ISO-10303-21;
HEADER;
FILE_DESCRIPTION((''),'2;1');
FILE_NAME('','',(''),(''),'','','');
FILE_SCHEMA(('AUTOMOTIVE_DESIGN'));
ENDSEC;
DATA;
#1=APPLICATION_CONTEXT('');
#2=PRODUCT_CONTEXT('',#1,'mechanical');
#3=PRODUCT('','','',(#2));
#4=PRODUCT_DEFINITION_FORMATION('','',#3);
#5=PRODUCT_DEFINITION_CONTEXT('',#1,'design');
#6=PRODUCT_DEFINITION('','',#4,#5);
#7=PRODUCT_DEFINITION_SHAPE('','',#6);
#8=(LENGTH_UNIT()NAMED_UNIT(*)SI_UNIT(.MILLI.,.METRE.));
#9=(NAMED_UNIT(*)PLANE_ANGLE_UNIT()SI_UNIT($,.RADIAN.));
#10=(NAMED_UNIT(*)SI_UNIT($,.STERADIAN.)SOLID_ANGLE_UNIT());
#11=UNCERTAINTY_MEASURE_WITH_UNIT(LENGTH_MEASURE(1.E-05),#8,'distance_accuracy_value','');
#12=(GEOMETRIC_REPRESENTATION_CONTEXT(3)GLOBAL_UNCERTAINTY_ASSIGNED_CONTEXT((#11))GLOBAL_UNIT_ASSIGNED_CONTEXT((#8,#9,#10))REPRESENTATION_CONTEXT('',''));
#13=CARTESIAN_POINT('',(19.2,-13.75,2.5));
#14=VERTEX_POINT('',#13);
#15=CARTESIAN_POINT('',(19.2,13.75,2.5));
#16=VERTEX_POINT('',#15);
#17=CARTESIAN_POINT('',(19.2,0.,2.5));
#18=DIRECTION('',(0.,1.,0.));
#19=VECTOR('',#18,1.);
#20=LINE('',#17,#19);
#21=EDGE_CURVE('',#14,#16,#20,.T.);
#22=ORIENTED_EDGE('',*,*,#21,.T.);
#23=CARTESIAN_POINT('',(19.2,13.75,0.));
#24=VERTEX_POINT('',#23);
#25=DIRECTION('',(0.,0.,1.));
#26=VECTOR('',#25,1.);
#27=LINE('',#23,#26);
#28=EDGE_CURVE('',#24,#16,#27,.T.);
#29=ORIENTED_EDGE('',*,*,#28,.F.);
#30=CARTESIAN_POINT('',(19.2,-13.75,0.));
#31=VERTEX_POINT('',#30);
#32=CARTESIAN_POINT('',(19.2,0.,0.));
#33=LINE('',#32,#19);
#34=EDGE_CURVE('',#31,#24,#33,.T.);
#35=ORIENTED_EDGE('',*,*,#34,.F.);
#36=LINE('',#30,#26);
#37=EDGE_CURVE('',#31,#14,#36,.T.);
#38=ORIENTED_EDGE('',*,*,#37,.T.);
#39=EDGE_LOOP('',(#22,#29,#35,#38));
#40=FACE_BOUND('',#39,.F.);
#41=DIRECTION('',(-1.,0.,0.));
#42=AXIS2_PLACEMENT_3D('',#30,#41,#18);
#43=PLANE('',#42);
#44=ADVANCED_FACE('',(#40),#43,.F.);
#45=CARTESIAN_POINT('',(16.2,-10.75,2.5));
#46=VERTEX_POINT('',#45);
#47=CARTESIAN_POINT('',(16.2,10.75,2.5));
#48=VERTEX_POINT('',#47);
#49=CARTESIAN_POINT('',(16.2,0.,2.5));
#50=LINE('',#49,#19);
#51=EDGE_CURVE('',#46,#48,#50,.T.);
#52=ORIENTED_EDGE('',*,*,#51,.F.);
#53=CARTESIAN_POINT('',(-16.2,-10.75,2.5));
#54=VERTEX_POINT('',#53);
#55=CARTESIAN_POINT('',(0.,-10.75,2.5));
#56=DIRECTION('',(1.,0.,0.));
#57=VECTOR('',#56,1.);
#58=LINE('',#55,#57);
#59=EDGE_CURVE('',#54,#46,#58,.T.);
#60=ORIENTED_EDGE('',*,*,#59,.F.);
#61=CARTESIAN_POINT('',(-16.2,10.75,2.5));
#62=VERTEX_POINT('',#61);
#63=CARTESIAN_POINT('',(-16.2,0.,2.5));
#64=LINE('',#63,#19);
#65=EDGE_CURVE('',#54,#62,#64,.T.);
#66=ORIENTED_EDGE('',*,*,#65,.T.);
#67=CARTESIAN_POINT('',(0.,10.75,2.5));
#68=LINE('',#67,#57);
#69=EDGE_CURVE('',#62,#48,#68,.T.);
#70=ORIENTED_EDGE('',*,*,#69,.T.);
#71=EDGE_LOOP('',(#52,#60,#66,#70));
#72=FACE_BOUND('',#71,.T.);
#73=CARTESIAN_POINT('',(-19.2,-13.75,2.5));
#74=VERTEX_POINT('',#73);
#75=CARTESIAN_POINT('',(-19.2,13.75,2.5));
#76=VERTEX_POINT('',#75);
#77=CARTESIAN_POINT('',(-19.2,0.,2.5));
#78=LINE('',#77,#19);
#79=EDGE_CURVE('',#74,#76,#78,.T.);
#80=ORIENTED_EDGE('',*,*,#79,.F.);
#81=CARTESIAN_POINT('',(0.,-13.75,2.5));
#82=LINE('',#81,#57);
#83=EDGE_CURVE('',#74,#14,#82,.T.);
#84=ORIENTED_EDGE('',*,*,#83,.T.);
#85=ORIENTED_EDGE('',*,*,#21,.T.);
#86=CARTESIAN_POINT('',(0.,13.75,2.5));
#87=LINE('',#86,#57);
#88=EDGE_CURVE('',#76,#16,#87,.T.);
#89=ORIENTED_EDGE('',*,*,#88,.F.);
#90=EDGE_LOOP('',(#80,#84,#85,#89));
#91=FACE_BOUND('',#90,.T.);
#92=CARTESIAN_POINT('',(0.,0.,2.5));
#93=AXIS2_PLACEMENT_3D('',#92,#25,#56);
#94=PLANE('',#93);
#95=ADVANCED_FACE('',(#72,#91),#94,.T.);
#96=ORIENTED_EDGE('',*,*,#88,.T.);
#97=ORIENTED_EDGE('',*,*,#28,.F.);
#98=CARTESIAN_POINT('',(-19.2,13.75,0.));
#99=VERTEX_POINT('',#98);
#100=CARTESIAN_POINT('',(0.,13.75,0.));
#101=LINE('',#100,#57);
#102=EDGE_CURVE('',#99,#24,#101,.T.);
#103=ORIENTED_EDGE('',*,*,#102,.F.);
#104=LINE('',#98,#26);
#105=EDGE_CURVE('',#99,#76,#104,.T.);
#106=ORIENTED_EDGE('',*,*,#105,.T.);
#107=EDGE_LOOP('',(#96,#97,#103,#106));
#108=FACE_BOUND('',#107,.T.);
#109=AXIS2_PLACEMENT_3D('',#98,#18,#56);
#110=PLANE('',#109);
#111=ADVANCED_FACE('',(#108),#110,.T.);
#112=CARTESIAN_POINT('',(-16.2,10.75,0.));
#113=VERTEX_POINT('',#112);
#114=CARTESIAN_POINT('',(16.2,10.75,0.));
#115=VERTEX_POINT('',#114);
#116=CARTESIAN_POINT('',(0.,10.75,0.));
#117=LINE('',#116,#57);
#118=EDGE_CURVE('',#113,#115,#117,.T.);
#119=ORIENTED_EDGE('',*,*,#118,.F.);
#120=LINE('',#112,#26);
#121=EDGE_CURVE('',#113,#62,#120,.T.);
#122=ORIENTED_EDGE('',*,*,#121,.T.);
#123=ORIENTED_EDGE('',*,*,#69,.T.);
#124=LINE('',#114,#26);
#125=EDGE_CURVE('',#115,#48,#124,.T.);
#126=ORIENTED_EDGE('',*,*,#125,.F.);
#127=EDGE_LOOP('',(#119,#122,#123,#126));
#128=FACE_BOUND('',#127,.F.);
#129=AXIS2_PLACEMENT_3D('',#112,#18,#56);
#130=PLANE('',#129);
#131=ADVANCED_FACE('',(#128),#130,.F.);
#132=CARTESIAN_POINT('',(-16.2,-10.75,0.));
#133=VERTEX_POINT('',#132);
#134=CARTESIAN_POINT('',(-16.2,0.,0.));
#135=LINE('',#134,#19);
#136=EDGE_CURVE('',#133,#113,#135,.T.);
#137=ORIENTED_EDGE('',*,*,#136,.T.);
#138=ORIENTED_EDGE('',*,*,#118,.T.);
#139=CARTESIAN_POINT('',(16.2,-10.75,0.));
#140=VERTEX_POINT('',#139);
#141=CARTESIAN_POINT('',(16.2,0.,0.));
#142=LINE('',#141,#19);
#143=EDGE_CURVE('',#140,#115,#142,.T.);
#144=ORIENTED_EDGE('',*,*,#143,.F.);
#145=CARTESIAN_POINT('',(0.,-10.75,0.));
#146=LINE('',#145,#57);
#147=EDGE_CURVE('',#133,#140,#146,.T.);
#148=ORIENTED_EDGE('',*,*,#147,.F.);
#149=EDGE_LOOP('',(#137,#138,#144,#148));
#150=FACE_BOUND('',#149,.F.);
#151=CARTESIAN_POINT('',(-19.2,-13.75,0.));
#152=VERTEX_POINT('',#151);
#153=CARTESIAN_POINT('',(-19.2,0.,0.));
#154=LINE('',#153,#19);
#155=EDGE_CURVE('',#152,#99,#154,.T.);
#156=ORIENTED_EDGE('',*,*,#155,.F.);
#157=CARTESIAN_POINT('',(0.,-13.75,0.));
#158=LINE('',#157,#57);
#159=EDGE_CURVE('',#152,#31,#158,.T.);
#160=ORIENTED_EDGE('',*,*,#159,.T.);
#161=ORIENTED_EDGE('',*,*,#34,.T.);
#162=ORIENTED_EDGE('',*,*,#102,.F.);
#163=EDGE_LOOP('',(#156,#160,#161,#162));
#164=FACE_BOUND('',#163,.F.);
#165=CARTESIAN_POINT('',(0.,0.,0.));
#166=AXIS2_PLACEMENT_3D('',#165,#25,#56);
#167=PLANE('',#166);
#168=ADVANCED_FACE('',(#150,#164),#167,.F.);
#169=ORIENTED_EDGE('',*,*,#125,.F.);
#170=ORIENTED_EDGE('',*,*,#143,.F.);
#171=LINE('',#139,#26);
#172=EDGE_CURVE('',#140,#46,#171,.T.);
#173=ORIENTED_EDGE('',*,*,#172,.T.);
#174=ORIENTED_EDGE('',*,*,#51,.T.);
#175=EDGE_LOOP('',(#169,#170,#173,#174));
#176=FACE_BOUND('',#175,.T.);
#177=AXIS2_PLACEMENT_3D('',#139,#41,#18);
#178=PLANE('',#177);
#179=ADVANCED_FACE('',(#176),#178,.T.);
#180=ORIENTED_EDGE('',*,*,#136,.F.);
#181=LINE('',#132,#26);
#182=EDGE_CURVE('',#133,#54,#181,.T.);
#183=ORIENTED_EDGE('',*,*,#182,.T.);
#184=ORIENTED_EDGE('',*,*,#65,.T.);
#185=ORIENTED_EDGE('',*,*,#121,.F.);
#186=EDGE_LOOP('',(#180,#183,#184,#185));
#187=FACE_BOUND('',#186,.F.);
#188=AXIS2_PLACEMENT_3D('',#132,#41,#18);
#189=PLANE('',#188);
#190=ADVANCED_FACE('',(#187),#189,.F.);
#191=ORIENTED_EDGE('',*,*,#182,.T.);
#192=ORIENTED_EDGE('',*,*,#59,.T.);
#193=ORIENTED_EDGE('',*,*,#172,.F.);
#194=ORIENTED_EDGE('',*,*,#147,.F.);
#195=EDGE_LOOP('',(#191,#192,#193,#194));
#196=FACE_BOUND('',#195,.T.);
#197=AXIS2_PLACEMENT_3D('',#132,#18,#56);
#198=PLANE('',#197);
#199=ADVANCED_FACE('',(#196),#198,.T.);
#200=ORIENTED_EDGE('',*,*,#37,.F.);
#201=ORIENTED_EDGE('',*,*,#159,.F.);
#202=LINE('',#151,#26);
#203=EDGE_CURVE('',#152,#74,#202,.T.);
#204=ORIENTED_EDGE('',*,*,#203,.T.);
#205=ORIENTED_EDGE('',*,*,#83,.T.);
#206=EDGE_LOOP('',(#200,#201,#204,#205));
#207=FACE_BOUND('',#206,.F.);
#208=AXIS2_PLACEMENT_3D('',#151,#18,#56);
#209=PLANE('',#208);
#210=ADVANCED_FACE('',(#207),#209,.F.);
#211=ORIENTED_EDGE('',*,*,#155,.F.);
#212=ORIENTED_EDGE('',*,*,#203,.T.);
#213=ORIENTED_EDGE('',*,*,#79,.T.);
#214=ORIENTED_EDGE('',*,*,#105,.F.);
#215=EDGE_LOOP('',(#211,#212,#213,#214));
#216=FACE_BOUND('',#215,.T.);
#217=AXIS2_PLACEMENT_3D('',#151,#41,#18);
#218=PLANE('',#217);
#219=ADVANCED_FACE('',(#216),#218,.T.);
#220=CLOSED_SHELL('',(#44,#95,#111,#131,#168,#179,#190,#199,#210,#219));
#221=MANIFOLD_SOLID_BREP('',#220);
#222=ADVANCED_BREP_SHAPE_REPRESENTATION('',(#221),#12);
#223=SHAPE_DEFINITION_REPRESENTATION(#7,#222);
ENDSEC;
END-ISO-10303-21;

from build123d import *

# Parameters (mm, degrees)
SKETCH_W   = 38.4
SKETCH_H   = 27.5
SKETCH_W_2 = 32.4
SKETCH_H_2 = 21.5
PAD_DEPTH  = 2.5


with BuildPart() as part:
    # Sketch → Pad (new body)
    with BuildSketch(Plane.XY):
        Rectangle(SKETCH_W, SKETCH_H)
        Rectangle(SKETCH_W_2, SKETCH_H_2, mode=Mode.SUBTRACT)
    extrude(amount=PAD_DEPTH)


solid = part.part
